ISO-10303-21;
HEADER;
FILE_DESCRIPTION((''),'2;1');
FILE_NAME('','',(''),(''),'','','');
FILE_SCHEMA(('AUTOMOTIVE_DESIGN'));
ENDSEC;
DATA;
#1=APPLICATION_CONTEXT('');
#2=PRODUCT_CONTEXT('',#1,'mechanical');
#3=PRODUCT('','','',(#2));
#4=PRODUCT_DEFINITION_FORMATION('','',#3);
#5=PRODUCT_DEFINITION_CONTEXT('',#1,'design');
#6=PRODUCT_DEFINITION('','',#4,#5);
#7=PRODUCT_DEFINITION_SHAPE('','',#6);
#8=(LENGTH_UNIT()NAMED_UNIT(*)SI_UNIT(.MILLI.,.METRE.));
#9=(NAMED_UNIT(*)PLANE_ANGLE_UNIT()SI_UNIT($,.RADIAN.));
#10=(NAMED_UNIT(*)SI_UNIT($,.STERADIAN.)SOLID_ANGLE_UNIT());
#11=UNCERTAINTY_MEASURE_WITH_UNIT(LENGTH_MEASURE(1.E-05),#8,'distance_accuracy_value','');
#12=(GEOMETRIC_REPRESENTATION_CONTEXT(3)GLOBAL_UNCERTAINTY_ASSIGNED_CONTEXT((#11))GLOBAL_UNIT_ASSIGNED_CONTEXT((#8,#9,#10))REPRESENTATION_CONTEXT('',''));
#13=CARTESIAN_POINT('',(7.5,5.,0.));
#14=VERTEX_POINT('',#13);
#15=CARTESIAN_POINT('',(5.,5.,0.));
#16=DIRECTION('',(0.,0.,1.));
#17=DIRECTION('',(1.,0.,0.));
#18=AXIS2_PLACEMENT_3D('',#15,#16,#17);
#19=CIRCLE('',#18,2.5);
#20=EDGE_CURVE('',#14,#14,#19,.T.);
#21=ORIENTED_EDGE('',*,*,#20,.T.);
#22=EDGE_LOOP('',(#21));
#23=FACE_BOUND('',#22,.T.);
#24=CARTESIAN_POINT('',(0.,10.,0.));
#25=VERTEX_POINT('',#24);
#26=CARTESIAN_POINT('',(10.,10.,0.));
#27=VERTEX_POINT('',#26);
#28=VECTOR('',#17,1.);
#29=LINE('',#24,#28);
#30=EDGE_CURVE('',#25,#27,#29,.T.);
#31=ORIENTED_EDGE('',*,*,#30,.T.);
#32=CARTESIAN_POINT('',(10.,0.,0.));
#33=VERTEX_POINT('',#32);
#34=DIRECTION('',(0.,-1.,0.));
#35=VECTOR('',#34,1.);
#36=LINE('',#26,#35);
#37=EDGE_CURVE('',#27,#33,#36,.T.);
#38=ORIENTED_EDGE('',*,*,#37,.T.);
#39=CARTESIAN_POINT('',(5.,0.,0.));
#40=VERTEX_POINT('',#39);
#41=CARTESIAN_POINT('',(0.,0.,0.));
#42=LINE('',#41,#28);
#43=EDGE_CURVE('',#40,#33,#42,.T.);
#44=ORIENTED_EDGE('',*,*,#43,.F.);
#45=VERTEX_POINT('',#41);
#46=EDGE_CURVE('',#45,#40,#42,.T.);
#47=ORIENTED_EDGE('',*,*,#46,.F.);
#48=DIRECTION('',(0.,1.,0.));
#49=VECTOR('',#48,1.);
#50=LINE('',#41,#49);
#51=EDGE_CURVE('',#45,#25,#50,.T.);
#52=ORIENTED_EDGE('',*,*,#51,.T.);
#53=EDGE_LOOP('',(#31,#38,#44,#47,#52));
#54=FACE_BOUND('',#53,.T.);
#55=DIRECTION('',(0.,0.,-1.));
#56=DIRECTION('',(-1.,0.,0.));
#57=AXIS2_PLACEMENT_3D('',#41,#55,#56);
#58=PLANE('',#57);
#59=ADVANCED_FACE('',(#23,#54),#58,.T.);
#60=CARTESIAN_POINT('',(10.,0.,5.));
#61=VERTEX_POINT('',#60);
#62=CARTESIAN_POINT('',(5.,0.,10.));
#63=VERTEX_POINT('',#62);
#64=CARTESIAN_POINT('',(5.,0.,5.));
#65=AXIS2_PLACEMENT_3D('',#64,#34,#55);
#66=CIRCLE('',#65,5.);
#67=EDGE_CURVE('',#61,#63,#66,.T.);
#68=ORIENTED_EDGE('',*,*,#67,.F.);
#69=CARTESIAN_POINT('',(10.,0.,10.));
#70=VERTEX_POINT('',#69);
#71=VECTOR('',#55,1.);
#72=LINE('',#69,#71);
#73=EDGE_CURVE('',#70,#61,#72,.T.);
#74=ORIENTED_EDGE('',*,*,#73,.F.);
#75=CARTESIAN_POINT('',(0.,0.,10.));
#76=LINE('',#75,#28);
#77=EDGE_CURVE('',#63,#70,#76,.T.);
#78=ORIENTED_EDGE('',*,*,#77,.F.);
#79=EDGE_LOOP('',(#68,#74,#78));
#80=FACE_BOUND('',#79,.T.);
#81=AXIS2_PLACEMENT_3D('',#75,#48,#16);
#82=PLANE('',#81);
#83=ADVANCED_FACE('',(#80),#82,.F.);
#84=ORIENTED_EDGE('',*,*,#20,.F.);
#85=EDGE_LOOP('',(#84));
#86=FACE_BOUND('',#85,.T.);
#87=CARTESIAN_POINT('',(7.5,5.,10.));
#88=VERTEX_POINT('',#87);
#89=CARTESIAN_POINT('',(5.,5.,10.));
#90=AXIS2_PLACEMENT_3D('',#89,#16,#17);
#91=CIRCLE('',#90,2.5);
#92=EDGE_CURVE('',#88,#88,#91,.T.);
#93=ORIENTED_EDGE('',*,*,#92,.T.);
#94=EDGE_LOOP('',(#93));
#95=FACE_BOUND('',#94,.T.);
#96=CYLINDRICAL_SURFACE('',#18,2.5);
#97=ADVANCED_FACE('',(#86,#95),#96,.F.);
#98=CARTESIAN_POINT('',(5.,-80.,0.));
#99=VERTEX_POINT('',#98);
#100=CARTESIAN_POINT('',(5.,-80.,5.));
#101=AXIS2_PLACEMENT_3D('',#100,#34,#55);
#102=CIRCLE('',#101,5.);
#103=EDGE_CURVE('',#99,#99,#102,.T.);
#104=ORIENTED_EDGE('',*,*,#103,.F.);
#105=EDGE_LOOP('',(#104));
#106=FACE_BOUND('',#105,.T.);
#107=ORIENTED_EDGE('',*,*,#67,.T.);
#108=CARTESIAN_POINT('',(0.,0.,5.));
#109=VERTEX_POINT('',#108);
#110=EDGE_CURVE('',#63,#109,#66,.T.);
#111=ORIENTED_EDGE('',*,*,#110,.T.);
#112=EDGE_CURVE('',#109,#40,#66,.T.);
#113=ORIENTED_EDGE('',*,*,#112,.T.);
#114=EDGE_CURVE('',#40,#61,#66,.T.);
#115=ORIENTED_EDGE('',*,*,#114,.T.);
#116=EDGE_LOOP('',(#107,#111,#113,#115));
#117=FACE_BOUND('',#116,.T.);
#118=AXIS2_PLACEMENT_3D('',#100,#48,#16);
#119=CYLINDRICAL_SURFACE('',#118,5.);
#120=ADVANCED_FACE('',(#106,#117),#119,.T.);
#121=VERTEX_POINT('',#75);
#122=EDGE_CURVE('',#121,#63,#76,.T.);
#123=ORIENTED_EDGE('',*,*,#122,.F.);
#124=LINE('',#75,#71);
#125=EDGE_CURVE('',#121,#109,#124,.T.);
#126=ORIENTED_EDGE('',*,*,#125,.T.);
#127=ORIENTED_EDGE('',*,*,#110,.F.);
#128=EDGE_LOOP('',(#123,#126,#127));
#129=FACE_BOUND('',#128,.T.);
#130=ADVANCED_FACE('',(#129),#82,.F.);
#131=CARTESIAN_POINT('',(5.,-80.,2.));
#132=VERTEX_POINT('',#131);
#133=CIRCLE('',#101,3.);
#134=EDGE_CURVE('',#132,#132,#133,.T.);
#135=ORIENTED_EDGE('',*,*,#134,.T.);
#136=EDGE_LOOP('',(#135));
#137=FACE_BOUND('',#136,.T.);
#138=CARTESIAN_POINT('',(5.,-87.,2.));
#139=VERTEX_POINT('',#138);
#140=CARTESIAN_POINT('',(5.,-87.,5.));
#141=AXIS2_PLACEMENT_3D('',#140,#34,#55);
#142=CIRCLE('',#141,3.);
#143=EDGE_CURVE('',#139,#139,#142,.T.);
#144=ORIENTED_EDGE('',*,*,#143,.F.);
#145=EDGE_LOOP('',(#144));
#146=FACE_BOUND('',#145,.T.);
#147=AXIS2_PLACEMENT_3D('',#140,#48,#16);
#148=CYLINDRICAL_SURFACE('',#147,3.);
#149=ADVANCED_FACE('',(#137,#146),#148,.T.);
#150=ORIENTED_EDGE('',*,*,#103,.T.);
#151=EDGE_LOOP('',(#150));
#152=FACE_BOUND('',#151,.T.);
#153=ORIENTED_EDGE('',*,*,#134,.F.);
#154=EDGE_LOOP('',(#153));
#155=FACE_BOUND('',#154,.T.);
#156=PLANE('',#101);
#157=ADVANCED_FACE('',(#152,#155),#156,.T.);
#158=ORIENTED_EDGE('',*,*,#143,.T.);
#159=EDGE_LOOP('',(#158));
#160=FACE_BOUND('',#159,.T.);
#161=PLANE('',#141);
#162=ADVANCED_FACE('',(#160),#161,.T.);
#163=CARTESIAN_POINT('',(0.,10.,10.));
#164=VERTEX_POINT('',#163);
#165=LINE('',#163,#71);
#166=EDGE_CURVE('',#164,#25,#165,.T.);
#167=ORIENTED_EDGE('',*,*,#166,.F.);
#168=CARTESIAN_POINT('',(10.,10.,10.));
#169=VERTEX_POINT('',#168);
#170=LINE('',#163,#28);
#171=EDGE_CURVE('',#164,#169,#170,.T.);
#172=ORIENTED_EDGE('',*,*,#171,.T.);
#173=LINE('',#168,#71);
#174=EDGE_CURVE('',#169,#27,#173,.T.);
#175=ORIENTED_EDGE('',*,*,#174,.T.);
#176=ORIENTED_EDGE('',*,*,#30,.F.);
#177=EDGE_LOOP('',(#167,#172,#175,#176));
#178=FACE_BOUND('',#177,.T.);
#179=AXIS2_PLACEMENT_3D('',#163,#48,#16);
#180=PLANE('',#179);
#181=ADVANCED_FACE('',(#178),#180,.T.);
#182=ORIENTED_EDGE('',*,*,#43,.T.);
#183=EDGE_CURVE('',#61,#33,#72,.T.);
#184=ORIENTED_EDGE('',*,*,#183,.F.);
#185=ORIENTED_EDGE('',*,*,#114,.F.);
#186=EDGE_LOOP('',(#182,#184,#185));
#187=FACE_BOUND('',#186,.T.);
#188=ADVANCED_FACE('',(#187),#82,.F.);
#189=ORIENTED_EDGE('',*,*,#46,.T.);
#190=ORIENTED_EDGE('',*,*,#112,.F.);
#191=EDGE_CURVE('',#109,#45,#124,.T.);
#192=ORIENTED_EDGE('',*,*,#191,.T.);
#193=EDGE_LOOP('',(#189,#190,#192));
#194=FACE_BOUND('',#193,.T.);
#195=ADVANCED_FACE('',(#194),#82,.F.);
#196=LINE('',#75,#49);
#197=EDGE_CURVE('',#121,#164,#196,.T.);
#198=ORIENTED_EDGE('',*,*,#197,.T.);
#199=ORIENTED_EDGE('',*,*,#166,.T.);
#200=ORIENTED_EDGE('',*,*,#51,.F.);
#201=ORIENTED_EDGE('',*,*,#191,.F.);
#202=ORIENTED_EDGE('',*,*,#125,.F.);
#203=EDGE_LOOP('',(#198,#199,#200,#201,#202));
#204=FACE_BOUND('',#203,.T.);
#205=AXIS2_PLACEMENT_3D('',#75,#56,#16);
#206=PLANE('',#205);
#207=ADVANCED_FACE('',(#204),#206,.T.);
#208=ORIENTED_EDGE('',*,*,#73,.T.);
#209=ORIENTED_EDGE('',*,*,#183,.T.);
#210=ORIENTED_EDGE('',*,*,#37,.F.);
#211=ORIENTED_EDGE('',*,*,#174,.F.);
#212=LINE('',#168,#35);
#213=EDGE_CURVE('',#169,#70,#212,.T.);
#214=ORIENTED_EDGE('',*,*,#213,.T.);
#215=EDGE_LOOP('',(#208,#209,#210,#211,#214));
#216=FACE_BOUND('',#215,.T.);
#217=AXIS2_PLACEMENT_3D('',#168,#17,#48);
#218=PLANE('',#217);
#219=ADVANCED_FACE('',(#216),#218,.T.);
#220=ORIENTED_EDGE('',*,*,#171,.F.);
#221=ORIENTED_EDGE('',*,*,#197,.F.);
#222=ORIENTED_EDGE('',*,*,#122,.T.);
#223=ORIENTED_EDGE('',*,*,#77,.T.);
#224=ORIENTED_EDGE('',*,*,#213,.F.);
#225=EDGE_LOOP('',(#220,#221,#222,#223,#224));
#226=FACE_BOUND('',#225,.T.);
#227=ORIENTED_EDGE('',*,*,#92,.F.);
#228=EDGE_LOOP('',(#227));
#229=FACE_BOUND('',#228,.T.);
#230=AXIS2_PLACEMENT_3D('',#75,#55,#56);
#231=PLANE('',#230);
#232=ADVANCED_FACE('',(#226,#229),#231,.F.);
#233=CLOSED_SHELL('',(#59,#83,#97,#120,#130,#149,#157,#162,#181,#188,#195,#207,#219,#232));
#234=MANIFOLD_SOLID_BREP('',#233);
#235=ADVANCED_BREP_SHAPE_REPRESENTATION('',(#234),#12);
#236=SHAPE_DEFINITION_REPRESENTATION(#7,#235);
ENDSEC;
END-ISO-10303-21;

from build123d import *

# Parameters (mm, degrees)
SKETCH2_W           = 10
SKETCH2_H           = 10
BOSS_EXTRUDE2_DEPTH = 10
SKETCH5_R           = 2.5
CUT_EXTRUDE1_DEPTH  = 10
SKETCH6_R           = 5
BOSS_EXTRUDE4_DEPTH = 80
SKETCH7_R           = 3
BOSS_EXTRUDE5_DEPTH = 7


with BuildPart() as part:
    # Sketch2 → Boss-Extrude2 (new body)
    with BuildSketch(Plane.XY):
        with Locations((5, 5)):
            Rectangle(SKETCH2_W, SKETCH2_H)
    extrude(amount=BOSS_EXTRUDE2_DEPTH)

    # Sketch5 → Cut-Extrude1 (cut)
    with BuildSketch(Plane.XY.offset(10)):
        with Locations((5, 5)):
            Circle(SKETCH5_R)
    extrude(amount=-CUT_EXTRUDE1_DEPTH, mode=Mode.SUBTRACT)

    # Sketch6 → Boss-Extrude4 (add)
    with BuildSketch(Plane.XZ):
        with Locations(Location((5, 5, 0), (0, 0, 270))):
            Circle(SKETCH6_R)
    extrude(amount=BOSS_EXTRUDE4_DEPTH)

    # Sketch7 → Boss-Extrude5 (add)
    with BuildSketch(Plane.XZ.offset(80)):
        with Locations(Location((5, 5, 0), (0, 0, 270))):
            Circle(SKETCH7_R)
    extrude(amount=BOSS_EXTRUDE5_DEPTH)


solid = part.part
